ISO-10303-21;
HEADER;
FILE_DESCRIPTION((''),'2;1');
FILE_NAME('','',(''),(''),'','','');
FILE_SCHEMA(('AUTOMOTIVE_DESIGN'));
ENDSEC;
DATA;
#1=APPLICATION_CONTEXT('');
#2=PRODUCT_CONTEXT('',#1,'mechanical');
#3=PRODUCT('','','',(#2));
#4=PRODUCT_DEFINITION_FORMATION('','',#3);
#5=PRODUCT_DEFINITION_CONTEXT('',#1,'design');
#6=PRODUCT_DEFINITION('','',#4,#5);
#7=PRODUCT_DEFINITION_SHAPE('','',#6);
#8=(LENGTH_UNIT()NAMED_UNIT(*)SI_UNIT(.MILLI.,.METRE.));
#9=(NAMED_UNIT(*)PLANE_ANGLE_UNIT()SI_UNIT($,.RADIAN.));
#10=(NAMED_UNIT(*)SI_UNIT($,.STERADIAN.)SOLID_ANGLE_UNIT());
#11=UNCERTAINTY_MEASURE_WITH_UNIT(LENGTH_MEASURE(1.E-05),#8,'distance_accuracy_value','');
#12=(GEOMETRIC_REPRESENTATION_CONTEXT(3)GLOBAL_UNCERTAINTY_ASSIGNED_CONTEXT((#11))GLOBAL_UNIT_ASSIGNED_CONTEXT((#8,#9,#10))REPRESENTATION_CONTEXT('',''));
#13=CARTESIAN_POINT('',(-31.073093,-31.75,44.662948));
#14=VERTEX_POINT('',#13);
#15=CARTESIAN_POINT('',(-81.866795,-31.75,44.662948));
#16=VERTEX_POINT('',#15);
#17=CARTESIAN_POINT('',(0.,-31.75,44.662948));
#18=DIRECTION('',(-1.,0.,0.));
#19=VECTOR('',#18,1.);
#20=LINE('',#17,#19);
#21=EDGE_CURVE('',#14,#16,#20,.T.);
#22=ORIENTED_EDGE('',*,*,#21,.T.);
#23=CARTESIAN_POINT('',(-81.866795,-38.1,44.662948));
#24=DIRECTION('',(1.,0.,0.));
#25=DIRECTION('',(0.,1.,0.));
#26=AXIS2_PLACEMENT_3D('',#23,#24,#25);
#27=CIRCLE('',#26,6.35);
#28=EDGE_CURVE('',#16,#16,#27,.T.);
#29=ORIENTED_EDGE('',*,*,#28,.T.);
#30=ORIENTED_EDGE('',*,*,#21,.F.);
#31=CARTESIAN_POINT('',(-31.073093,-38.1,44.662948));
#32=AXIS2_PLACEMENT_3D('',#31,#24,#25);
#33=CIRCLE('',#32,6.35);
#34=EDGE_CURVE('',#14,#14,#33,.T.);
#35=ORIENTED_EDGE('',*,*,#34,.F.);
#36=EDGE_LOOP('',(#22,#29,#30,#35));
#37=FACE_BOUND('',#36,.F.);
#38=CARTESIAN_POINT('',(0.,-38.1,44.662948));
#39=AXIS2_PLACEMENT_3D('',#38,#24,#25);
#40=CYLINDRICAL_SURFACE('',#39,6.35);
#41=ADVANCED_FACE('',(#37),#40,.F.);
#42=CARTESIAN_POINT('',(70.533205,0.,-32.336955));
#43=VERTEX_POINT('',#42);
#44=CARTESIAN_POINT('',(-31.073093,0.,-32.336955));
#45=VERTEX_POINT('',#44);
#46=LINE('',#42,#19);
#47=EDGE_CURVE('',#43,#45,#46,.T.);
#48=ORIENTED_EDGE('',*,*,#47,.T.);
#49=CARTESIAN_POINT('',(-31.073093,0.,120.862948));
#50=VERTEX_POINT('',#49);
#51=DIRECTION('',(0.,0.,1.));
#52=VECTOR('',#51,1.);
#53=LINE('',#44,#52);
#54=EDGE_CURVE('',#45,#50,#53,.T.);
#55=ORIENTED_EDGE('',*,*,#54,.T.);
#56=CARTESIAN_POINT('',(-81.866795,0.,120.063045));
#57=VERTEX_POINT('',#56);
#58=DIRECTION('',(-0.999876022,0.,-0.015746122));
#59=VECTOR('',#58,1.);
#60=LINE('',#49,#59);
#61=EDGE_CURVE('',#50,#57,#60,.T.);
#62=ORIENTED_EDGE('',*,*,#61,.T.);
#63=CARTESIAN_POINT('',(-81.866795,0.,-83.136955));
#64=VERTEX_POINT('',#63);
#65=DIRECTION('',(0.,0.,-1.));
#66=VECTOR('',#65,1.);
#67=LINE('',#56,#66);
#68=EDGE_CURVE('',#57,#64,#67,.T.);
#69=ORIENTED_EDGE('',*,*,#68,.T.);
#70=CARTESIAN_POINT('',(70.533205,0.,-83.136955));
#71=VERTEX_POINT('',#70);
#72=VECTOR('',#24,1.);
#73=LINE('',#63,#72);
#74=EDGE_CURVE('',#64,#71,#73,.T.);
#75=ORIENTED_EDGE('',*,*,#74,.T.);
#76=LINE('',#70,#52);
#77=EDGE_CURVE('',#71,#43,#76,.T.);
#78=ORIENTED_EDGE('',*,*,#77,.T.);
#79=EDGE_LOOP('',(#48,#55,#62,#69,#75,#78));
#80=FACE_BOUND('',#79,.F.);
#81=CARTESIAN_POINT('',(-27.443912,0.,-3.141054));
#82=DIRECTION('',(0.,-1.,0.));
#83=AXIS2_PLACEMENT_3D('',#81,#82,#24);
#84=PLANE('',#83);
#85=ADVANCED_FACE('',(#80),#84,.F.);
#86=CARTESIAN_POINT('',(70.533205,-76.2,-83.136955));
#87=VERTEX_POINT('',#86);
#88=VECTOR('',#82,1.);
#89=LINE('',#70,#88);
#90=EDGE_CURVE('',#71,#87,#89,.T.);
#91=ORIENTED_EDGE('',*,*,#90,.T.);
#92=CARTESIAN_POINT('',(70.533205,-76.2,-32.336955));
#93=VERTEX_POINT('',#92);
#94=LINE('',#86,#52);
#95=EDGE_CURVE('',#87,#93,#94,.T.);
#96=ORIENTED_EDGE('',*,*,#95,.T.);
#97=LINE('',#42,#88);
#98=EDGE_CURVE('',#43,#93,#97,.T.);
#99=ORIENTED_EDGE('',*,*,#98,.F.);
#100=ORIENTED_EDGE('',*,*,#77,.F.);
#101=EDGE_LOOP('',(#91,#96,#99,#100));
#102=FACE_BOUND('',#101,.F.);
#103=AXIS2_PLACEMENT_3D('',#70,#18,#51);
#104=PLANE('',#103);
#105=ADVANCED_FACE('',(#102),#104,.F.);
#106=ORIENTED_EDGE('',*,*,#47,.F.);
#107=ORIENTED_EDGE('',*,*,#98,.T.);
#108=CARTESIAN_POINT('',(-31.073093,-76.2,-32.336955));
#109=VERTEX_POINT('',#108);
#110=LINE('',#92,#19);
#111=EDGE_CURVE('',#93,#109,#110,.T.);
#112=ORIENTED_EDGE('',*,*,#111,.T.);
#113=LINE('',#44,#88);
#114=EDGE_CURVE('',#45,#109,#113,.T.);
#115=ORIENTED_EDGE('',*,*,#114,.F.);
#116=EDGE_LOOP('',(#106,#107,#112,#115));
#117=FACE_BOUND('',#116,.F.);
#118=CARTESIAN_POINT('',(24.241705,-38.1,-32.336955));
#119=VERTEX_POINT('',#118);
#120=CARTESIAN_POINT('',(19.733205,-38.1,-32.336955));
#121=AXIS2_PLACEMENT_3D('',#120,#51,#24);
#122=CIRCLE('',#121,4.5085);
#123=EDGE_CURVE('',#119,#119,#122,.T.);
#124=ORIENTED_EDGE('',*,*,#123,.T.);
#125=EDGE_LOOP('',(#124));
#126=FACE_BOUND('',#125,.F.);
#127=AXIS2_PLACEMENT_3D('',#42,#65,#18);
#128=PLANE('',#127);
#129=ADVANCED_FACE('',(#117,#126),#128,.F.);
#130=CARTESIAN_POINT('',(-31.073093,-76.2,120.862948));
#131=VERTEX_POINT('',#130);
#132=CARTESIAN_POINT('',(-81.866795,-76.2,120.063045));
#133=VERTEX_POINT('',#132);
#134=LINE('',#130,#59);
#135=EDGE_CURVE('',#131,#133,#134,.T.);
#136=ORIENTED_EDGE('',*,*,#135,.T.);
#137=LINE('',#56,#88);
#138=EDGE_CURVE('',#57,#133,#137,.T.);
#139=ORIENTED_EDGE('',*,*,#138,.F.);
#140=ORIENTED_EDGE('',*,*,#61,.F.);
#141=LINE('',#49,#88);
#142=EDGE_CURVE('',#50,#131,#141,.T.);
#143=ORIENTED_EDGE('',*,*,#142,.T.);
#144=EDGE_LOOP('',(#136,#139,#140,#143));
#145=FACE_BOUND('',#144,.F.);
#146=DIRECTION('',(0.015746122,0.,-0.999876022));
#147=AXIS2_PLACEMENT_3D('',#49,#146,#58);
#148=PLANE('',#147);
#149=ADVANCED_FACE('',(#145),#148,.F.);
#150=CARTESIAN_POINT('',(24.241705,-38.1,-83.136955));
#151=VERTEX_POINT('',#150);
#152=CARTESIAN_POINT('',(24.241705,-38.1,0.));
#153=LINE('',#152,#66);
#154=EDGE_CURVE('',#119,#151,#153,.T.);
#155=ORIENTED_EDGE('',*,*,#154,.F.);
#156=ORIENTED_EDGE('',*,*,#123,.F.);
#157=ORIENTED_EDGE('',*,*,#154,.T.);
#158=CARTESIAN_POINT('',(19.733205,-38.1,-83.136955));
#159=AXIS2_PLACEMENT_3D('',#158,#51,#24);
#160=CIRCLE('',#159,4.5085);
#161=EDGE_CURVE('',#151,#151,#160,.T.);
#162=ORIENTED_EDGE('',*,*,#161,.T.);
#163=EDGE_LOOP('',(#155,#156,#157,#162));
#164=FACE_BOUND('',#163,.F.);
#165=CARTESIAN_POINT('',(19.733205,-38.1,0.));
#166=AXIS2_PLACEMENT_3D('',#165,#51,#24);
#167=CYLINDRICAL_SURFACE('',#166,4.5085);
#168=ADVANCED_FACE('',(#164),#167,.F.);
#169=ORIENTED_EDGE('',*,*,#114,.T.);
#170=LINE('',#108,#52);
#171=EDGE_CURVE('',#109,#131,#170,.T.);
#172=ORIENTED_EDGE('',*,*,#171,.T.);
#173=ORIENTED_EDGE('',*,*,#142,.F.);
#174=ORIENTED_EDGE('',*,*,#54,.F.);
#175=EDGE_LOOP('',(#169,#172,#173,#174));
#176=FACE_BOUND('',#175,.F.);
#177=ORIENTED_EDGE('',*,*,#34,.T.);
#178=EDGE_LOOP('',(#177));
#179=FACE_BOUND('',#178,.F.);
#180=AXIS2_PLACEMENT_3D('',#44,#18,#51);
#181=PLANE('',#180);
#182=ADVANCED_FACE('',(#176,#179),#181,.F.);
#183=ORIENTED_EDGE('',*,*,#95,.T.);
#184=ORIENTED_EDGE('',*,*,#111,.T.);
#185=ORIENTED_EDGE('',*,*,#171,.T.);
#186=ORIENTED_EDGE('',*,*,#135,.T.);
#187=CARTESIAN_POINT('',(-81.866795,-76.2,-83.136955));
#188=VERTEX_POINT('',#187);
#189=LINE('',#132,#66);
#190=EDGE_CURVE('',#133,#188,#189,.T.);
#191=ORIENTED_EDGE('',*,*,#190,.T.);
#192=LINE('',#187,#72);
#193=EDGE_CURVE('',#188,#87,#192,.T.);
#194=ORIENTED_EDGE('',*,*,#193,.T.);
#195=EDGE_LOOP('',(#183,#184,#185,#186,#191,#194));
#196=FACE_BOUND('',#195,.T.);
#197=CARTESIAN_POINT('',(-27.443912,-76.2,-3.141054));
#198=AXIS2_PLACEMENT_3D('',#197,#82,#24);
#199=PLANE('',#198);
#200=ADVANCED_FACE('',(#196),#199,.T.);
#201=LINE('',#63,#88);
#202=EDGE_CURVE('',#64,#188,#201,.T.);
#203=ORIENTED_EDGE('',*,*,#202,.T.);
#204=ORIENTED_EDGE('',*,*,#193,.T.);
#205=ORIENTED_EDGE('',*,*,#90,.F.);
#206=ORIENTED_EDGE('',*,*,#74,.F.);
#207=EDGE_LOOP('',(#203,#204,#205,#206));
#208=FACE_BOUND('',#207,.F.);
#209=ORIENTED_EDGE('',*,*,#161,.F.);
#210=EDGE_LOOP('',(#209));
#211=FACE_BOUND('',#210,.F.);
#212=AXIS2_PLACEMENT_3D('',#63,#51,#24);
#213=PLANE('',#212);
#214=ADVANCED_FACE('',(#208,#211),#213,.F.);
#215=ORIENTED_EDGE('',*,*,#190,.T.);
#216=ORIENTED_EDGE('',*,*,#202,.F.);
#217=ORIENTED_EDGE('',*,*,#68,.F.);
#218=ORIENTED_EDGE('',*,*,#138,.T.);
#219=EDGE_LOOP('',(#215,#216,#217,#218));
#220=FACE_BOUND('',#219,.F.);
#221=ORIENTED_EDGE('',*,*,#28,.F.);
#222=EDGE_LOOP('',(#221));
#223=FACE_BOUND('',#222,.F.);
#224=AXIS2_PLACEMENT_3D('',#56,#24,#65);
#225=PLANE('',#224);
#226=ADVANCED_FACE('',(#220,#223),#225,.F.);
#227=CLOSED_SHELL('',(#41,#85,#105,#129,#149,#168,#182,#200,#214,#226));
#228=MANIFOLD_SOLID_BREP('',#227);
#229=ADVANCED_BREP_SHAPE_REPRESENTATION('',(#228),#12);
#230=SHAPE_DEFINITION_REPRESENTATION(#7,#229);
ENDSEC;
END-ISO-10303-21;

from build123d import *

# Parameters (mm, degrees)
F1_DEPTH = 76.2
F2_R     = 6.35
F3_DEPTH = 200.038046
F4_R     = 4.5085
F5_DEPTH = 416.492134


with BuildPart() as f1:
    # F0 (on Front) → F1 (new body)
    with BuildSketch(Plane.XZ):
        Polygon((-31.073093, 120.862948), (-81.866795, 120.063045), (-81.866795, -83.136955), (70.533205, -83.136955), (70.533205, -32.336955), (-31.073093, -32.336955), align=None)
    extrude(amount=F1_DEPTH)

    # F2 (on Right) → F3 (cut)
    with BuildSketch(Plane.YZ):
        with Locations((-38.1, 44.662948)):
            Circle(F2_R)
    extrude(amount=-F3_DEPTH, mode=Mode.SUBTRACT)

    # F4 (on Top) → F5 (cut)
    with BuildSketch(Plane.XY):
        with Locations((19.733205, -38.1)):
            Circle(F4_R)
    extrude(amount=-F5_DEPTH, mode=Mode.SUBTRACT)


solid = f1.part
